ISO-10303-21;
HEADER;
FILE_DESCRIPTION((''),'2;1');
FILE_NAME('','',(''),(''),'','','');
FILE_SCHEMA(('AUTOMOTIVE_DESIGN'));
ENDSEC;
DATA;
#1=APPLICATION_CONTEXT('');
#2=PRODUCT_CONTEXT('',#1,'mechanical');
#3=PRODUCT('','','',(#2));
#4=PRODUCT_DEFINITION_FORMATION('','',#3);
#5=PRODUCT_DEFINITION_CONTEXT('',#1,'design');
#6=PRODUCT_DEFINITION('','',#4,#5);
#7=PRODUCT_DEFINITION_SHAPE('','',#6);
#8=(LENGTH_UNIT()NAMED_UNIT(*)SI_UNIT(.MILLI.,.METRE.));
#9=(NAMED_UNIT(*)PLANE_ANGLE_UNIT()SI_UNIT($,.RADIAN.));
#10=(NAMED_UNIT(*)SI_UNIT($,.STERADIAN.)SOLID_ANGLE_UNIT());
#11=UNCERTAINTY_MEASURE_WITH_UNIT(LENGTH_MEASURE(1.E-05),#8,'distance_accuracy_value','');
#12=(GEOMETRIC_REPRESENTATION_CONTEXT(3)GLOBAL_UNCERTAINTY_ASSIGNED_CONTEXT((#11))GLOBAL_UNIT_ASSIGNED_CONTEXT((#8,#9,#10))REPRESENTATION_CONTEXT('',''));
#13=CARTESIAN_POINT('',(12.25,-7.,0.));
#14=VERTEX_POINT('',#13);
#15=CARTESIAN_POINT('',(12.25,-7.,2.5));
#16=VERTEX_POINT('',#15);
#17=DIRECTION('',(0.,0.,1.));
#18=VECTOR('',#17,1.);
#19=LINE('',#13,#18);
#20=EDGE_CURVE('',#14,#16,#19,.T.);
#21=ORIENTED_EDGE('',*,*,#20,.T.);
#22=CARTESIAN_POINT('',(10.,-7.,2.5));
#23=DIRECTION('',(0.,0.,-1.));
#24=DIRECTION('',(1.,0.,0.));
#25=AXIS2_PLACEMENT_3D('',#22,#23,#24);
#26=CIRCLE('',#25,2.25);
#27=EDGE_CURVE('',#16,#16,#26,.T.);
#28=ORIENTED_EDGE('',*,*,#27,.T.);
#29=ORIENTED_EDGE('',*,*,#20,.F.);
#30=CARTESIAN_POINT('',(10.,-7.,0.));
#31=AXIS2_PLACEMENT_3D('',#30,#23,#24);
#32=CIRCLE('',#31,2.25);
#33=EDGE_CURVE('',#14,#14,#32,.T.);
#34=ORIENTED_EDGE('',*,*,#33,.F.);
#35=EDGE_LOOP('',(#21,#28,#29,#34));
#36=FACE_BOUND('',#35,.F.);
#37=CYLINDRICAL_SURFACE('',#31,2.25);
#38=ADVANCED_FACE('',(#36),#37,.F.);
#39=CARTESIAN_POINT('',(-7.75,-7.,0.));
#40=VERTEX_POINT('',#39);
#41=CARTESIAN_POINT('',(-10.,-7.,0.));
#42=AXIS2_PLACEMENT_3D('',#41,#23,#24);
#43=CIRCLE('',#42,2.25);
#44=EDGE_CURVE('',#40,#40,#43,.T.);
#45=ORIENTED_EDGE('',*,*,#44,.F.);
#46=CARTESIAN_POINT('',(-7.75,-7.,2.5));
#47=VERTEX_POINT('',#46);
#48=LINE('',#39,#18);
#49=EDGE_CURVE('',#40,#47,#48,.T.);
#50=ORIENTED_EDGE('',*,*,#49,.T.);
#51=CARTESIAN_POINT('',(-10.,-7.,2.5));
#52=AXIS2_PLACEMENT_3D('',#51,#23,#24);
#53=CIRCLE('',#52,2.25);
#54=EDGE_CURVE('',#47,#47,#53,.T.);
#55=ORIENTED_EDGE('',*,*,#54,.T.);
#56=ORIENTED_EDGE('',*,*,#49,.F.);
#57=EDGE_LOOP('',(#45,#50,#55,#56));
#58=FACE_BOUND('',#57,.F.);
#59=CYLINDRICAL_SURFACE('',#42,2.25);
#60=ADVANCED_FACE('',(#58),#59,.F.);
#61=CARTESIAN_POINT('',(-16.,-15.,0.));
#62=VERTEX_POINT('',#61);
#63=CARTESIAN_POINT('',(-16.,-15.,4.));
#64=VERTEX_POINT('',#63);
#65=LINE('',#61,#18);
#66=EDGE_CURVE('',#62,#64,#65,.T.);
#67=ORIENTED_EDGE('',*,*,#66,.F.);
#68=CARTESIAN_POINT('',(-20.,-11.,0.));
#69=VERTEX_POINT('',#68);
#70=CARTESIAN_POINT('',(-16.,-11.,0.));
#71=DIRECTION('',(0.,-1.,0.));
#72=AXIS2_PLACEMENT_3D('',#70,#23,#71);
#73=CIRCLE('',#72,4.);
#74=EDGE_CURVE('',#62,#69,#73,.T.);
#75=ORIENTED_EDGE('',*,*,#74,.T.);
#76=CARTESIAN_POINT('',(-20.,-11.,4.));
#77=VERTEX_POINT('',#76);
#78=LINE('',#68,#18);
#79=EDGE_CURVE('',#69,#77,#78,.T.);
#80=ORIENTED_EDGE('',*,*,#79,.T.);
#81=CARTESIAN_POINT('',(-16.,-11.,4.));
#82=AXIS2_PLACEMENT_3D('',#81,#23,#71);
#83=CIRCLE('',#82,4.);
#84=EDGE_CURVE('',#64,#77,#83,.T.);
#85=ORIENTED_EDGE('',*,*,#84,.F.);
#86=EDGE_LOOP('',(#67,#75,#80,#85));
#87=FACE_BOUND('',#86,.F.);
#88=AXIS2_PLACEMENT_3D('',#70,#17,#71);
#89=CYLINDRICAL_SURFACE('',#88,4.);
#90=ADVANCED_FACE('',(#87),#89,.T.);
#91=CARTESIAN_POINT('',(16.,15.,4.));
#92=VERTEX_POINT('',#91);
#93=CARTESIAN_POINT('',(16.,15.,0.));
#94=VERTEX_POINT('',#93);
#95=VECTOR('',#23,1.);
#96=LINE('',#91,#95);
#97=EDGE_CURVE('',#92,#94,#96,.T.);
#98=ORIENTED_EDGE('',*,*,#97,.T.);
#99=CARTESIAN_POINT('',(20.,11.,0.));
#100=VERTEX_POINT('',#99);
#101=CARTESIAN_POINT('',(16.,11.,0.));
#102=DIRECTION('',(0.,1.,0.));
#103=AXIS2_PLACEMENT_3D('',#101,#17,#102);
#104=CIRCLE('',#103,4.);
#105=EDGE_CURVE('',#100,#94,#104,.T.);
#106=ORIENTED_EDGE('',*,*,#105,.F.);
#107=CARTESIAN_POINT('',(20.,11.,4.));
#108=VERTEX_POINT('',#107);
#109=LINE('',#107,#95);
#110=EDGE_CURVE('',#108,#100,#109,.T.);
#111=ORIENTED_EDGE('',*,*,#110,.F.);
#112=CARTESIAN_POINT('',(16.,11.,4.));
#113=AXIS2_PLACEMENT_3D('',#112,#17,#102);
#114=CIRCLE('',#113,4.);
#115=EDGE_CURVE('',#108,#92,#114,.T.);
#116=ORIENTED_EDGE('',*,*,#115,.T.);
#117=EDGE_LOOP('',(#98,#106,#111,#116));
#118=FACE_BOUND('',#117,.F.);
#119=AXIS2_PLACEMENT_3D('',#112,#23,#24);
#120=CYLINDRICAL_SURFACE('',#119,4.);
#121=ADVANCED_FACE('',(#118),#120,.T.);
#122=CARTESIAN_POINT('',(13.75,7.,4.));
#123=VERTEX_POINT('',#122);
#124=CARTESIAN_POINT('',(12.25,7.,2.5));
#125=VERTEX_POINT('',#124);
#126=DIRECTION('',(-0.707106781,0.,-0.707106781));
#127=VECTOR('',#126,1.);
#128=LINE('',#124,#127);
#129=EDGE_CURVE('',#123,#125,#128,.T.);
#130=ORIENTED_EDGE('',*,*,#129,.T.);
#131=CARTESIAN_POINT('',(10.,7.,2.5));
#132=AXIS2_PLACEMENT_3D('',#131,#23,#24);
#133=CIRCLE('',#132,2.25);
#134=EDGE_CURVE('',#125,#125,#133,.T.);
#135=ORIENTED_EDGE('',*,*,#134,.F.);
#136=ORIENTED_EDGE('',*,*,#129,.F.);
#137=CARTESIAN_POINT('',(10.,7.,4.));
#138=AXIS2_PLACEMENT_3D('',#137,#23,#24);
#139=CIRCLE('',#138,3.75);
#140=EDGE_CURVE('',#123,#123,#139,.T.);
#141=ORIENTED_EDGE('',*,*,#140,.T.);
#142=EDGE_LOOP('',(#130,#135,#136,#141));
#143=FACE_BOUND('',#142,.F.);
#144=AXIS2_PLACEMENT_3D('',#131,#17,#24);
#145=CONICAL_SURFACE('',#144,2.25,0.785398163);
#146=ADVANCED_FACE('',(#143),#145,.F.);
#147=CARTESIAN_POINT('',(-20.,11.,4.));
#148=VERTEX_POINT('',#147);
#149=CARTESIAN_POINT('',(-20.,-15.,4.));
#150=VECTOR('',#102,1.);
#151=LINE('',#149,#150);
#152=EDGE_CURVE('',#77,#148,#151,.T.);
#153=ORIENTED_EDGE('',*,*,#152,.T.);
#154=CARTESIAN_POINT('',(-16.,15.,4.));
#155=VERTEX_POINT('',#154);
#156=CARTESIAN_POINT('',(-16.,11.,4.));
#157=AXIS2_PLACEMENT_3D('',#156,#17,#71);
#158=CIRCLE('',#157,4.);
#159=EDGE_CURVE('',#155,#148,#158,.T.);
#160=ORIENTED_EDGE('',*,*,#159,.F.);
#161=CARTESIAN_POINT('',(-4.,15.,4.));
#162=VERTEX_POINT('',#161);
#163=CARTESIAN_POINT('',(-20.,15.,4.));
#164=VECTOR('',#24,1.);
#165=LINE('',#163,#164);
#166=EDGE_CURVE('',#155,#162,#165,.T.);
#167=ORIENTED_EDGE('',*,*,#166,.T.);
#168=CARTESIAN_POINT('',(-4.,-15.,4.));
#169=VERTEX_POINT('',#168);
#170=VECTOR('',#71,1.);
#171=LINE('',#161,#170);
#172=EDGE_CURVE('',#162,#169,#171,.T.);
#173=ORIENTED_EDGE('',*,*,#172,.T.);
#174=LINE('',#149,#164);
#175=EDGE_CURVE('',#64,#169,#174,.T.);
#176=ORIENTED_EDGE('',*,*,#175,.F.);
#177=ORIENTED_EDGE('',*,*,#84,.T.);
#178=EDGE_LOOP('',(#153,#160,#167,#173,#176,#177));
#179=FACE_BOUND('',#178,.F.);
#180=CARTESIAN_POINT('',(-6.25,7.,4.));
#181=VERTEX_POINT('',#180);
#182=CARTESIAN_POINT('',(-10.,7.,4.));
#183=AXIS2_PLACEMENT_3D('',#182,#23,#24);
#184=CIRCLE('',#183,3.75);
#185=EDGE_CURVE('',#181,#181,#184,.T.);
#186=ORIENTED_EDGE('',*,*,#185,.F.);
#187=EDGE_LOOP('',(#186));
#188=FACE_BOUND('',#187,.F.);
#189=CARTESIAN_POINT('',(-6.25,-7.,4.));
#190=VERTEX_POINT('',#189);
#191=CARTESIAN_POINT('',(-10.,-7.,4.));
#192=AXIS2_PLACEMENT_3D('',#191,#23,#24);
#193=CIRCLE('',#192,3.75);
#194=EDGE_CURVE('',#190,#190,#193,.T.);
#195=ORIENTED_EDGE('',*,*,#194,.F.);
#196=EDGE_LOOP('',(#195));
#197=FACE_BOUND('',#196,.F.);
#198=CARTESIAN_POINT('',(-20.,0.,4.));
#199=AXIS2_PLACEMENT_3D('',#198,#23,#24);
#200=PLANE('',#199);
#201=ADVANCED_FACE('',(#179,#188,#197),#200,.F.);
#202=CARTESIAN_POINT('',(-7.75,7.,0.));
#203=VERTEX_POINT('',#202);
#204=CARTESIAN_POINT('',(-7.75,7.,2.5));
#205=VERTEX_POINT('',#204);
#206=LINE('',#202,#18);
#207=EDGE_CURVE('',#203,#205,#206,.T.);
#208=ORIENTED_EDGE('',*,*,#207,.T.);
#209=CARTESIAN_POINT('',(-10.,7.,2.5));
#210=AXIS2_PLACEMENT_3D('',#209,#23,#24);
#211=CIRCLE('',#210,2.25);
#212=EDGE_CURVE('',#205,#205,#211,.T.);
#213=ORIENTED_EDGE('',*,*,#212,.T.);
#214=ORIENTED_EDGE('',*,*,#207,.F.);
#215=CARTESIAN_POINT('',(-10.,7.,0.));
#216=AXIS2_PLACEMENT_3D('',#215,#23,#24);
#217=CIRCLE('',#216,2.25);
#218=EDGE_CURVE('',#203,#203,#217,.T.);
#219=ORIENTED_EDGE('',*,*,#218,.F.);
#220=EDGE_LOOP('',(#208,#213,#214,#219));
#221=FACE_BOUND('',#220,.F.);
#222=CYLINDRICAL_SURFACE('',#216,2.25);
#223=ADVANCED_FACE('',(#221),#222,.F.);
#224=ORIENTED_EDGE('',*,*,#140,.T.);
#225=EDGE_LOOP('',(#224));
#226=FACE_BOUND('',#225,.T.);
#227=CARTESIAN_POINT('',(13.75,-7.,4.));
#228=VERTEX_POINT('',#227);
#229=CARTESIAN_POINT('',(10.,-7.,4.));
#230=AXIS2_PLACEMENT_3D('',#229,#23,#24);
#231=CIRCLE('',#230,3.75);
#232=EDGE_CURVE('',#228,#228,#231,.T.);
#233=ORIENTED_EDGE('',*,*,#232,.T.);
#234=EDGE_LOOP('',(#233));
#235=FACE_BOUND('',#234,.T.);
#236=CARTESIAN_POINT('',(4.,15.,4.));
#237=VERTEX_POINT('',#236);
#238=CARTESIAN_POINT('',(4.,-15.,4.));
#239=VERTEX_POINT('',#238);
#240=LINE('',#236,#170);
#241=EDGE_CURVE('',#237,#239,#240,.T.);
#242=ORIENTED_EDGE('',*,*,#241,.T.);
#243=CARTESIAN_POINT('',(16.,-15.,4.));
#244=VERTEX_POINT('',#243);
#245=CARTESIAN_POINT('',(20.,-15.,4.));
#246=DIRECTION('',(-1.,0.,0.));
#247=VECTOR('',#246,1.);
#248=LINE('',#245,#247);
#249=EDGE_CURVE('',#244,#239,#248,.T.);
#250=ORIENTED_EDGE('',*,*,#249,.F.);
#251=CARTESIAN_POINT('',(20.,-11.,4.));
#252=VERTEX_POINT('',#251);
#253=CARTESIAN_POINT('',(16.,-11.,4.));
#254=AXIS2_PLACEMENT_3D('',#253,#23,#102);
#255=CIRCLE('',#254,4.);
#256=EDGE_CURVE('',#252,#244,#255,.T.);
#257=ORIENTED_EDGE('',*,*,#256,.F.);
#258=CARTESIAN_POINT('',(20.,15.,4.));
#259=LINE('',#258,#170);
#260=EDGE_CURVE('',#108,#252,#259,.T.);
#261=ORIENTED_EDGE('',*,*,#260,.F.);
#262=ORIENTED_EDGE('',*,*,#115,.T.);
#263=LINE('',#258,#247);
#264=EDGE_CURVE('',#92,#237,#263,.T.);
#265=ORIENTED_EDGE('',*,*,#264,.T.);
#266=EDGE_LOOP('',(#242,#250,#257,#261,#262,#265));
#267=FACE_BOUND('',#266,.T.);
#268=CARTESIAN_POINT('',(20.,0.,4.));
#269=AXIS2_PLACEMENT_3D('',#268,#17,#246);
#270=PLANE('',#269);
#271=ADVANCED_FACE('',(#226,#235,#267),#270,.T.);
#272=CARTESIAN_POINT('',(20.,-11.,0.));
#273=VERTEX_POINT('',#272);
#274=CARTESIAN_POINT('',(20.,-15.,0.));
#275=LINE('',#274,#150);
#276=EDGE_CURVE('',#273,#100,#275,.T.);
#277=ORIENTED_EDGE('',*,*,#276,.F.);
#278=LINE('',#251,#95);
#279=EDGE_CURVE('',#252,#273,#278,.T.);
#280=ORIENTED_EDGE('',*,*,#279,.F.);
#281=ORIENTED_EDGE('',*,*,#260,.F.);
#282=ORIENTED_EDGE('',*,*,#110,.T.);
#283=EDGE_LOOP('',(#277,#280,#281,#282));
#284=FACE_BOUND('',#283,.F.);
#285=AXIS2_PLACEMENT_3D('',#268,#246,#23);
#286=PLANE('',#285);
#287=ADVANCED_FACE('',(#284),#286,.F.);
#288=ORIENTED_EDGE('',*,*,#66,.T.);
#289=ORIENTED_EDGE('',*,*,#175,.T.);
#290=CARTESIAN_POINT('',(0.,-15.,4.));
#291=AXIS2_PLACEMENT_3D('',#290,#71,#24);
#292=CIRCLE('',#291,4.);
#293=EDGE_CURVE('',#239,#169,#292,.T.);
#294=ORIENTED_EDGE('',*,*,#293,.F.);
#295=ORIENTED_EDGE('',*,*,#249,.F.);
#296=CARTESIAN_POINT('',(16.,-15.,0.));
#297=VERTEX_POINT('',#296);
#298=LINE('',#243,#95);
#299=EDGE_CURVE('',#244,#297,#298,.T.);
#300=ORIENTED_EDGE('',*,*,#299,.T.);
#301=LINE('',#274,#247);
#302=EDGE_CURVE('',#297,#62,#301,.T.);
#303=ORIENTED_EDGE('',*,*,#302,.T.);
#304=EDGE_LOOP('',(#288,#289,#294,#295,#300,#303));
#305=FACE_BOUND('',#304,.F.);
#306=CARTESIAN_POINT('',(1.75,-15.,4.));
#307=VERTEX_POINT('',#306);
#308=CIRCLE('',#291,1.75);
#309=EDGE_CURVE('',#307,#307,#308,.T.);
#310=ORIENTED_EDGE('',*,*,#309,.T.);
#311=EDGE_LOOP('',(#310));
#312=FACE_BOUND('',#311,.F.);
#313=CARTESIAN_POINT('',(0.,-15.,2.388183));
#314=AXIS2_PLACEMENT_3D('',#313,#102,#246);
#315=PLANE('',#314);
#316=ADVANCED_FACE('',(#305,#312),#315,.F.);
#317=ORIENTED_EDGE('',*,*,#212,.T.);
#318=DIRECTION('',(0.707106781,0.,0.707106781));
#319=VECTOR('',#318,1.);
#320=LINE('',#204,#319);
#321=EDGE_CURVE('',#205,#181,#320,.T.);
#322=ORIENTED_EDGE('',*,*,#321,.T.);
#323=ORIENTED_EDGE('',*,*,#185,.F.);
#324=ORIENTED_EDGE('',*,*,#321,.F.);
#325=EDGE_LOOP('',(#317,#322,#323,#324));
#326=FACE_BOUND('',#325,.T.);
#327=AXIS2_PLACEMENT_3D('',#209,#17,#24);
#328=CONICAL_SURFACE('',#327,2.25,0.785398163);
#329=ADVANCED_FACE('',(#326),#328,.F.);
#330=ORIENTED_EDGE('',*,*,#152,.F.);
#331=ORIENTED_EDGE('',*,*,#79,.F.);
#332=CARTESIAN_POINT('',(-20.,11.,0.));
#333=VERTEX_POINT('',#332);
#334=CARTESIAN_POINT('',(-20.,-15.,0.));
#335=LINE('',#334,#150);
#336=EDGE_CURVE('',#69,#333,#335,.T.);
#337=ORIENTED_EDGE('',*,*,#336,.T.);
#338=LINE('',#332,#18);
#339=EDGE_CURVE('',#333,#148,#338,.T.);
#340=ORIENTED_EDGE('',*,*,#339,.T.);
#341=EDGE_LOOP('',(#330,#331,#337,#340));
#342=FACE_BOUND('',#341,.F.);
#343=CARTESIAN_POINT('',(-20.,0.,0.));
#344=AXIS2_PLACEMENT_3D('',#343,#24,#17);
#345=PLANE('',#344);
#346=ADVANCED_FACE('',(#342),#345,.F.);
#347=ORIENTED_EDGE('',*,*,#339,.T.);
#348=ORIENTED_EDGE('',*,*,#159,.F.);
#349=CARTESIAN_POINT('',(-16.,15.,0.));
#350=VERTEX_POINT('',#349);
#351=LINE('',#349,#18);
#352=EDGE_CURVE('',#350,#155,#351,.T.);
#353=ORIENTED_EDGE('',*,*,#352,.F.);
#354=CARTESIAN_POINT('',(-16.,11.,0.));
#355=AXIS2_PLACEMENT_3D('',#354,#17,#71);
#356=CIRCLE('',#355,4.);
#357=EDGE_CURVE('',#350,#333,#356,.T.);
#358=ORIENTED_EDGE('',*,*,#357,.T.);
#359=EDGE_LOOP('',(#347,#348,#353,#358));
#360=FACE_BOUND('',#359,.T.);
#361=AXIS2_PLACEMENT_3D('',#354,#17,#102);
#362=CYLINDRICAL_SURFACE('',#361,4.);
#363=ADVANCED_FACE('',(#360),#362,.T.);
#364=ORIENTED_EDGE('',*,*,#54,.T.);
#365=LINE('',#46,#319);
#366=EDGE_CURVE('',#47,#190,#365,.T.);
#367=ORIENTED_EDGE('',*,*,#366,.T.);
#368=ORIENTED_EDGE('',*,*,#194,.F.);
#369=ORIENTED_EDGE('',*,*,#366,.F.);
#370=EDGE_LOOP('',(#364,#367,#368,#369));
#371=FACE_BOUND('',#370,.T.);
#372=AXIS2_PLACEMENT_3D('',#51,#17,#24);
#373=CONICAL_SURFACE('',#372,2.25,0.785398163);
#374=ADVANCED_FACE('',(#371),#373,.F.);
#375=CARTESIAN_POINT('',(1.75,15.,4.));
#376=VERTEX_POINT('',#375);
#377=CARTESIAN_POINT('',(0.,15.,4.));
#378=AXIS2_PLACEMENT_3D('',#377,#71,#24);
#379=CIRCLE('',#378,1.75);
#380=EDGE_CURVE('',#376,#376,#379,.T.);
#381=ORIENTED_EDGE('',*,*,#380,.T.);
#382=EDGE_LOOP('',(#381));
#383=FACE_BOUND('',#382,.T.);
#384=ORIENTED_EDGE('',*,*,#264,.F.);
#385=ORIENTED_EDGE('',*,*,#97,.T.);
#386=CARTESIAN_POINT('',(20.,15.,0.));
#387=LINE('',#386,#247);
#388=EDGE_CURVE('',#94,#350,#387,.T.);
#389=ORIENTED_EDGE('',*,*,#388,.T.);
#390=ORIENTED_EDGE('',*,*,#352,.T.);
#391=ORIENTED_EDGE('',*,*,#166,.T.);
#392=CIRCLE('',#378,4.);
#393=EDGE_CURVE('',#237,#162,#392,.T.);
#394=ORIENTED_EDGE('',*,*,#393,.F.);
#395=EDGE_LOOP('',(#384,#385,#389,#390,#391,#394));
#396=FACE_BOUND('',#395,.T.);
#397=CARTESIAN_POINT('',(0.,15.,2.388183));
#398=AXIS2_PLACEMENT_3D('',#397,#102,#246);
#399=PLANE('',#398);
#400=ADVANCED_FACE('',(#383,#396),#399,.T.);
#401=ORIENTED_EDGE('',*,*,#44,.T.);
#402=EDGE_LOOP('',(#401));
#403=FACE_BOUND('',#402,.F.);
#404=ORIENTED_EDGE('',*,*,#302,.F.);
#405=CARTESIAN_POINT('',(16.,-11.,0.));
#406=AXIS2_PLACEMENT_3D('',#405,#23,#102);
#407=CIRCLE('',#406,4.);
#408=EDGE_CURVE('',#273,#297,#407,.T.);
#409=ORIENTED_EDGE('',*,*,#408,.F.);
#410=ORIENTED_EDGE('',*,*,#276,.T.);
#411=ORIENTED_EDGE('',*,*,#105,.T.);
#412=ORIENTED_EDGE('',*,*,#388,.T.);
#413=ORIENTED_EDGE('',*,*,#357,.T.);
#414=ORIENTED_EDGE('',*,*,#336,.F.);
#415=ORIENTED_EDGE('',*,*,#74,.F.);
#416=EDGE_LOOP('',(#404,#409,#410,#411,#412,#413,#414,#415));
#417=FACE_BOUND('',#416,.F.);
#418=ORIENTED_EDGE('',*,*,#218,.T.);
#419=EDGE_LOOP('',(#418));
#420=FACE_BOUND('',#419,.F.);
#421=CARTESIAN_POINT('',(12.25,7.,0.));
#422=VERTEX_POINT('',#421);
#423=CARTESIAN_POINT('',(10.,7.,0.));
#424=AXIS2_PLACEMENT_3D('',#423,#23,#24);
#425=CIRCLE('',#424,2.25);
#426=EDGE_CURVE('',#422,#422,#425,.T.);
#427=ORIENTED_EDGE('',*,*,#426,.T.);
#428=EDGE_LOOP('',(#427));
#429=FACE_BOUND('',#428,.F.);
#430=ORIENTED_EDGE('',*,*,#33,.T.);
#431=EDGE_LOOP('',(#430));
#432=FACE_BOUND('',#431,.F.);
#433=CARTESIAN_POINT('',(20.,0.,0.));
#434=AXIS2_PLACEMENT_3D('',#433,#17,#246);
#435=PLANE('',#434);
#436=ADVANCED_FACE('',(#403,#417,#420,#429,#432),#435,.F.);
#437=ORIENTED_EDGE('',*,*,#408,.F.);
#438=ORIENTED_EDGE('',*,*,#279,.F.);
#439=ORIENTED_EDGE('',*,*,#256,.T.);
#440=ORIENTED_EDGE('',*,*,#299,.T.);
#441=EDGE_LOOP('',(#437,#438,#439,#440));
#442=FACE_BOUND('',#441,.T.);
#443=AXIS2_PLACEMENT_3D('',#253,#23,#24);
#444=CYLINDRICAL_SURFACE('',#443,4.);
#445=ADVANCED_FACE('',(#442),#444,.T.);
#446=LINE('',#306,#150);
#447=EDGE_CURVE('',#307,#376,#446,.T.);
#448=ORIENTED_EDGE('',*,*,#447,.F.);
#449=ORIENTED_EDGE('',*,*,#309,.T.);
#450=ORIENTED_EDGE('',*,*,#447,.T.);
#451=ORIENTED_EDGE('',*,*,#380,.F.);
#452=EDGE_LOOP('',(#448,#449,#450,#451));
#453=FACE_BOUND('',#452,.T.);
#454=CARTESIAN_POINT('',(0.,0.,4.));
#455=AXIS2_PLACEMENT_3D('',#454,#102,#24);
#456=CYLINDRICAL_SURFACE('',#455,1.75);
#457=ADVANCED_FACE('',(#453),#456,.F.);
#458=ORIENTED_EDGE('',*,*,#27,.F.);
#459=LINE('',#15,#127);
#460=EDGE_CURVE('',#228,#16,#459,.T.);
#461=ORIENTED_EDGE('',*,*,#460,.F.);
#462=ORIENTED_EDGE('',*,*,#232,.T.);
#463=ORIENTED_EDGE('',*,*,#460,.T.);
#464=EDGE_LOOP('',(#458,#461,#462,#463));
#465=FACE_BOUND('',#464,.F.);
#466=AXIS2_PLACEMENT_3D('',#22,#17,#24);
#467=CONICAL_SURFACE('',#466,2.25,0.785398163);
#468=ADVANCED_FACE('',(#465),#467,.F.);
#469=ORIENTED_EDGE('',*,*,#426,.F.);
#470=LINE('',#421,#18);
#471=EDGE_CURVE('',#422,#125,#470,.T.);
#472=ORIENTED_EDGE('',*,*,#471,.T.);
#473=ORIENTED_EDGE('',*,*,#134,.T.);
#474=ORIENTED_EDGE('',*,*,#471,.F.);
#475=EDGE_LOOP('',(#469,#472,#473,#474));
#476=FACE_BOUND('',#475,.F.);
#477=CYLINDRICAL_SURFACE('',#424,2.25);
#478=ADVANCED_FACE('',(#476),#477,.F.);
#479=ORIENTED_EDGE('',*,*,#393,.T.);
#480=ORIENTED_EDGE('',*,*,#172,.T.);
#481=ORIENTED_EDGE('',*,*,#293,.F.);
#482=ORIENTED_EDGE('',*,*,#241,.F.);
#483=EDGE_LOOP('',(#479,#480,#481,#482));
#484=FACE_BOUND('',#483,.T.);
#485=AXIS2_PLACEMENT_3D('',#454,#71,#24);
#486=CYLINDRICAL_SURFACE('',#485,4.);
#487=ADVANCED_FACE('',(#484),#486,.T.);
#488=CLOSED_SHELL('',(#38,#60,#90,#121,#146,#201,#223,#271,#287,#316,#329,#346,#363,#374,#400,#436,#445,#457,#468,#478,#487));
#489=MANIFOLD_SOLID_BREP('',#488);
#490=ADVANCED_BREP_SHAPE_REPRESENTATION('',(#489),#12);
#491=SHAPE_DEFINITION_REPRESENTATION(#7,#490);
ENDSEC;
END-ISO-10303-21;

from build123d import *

# Parameters (mm, degrees)
SKETCH_R     = 1.75
PAD_DEPTH    = 15
SKETCH001_R  = 2.25
POCKET_DEPTH = 8.001
FILLET_R     = 4
CHAMFER_SIZE = 1.5


with BuildPart() as part:
    # Sketch → Pad (new body, symmetric)
    with BuildSketch(Plane.XZ):
        with BuildLine():
            Line((20, 4), (20, 0))
            Line((20, 0), (-20, 0))
            Line((-20, 0), (-20, 4))
            Line((-20, 4), (-4, 4))
            ThreePointArc((4, 4), (0, 8), (-4, 4))
            Line((20, 4), (4, 4))
        make_face()
        with Locations((0, 4)):
            Circle(SKETCH_R, mode=Mode.SUBTRACT)
    extrude(amount=PAD_DEPTH, both=True)

    # Sketch001 (on Face2 of Pad) → Pocket (cut, through all)
    with BuildSketch(Plane(origin=(0, 0, 0), x_dir=(1, 0, 0), z_dir=(0, 0, -1))):
        with Locations((10, 7)):
            Circle(SKETCH001_R)
        with Locations((10, -7)):
            Circle(SKETCH001_R)
        with Locations((-10, 7)):
            Circle(SKETCH001_R)
        with Locations((-10, -7)):
            Circle(SKETCH001_R)
    extrude(amount=-POCKET_DEPTH, mode=Mode.SUBTRACT)

    # Fillet
    fillet_edges = [part.edges().sort_by_distance(p)[0] for p in [
        (20, -15, 2),
        (20, 15, 2),
        (-20, 15, 2),
        (-20, -15, 2),
    ]]
    fillet(fillet_edges, radius=FILLET_R)

    # Chamfer
    chamfer_edges = [part.edges().sort_by_distance(p)[0] for p in [
        (-12.25, -7, 4),
        (-12.25, 7, 4),
        (7.75, 7, 4),
        (7.75, -7, 4),
    ]]
    chamfer(chamfer_edges, length=CHAMFER_SIZE)


solid = part.part
